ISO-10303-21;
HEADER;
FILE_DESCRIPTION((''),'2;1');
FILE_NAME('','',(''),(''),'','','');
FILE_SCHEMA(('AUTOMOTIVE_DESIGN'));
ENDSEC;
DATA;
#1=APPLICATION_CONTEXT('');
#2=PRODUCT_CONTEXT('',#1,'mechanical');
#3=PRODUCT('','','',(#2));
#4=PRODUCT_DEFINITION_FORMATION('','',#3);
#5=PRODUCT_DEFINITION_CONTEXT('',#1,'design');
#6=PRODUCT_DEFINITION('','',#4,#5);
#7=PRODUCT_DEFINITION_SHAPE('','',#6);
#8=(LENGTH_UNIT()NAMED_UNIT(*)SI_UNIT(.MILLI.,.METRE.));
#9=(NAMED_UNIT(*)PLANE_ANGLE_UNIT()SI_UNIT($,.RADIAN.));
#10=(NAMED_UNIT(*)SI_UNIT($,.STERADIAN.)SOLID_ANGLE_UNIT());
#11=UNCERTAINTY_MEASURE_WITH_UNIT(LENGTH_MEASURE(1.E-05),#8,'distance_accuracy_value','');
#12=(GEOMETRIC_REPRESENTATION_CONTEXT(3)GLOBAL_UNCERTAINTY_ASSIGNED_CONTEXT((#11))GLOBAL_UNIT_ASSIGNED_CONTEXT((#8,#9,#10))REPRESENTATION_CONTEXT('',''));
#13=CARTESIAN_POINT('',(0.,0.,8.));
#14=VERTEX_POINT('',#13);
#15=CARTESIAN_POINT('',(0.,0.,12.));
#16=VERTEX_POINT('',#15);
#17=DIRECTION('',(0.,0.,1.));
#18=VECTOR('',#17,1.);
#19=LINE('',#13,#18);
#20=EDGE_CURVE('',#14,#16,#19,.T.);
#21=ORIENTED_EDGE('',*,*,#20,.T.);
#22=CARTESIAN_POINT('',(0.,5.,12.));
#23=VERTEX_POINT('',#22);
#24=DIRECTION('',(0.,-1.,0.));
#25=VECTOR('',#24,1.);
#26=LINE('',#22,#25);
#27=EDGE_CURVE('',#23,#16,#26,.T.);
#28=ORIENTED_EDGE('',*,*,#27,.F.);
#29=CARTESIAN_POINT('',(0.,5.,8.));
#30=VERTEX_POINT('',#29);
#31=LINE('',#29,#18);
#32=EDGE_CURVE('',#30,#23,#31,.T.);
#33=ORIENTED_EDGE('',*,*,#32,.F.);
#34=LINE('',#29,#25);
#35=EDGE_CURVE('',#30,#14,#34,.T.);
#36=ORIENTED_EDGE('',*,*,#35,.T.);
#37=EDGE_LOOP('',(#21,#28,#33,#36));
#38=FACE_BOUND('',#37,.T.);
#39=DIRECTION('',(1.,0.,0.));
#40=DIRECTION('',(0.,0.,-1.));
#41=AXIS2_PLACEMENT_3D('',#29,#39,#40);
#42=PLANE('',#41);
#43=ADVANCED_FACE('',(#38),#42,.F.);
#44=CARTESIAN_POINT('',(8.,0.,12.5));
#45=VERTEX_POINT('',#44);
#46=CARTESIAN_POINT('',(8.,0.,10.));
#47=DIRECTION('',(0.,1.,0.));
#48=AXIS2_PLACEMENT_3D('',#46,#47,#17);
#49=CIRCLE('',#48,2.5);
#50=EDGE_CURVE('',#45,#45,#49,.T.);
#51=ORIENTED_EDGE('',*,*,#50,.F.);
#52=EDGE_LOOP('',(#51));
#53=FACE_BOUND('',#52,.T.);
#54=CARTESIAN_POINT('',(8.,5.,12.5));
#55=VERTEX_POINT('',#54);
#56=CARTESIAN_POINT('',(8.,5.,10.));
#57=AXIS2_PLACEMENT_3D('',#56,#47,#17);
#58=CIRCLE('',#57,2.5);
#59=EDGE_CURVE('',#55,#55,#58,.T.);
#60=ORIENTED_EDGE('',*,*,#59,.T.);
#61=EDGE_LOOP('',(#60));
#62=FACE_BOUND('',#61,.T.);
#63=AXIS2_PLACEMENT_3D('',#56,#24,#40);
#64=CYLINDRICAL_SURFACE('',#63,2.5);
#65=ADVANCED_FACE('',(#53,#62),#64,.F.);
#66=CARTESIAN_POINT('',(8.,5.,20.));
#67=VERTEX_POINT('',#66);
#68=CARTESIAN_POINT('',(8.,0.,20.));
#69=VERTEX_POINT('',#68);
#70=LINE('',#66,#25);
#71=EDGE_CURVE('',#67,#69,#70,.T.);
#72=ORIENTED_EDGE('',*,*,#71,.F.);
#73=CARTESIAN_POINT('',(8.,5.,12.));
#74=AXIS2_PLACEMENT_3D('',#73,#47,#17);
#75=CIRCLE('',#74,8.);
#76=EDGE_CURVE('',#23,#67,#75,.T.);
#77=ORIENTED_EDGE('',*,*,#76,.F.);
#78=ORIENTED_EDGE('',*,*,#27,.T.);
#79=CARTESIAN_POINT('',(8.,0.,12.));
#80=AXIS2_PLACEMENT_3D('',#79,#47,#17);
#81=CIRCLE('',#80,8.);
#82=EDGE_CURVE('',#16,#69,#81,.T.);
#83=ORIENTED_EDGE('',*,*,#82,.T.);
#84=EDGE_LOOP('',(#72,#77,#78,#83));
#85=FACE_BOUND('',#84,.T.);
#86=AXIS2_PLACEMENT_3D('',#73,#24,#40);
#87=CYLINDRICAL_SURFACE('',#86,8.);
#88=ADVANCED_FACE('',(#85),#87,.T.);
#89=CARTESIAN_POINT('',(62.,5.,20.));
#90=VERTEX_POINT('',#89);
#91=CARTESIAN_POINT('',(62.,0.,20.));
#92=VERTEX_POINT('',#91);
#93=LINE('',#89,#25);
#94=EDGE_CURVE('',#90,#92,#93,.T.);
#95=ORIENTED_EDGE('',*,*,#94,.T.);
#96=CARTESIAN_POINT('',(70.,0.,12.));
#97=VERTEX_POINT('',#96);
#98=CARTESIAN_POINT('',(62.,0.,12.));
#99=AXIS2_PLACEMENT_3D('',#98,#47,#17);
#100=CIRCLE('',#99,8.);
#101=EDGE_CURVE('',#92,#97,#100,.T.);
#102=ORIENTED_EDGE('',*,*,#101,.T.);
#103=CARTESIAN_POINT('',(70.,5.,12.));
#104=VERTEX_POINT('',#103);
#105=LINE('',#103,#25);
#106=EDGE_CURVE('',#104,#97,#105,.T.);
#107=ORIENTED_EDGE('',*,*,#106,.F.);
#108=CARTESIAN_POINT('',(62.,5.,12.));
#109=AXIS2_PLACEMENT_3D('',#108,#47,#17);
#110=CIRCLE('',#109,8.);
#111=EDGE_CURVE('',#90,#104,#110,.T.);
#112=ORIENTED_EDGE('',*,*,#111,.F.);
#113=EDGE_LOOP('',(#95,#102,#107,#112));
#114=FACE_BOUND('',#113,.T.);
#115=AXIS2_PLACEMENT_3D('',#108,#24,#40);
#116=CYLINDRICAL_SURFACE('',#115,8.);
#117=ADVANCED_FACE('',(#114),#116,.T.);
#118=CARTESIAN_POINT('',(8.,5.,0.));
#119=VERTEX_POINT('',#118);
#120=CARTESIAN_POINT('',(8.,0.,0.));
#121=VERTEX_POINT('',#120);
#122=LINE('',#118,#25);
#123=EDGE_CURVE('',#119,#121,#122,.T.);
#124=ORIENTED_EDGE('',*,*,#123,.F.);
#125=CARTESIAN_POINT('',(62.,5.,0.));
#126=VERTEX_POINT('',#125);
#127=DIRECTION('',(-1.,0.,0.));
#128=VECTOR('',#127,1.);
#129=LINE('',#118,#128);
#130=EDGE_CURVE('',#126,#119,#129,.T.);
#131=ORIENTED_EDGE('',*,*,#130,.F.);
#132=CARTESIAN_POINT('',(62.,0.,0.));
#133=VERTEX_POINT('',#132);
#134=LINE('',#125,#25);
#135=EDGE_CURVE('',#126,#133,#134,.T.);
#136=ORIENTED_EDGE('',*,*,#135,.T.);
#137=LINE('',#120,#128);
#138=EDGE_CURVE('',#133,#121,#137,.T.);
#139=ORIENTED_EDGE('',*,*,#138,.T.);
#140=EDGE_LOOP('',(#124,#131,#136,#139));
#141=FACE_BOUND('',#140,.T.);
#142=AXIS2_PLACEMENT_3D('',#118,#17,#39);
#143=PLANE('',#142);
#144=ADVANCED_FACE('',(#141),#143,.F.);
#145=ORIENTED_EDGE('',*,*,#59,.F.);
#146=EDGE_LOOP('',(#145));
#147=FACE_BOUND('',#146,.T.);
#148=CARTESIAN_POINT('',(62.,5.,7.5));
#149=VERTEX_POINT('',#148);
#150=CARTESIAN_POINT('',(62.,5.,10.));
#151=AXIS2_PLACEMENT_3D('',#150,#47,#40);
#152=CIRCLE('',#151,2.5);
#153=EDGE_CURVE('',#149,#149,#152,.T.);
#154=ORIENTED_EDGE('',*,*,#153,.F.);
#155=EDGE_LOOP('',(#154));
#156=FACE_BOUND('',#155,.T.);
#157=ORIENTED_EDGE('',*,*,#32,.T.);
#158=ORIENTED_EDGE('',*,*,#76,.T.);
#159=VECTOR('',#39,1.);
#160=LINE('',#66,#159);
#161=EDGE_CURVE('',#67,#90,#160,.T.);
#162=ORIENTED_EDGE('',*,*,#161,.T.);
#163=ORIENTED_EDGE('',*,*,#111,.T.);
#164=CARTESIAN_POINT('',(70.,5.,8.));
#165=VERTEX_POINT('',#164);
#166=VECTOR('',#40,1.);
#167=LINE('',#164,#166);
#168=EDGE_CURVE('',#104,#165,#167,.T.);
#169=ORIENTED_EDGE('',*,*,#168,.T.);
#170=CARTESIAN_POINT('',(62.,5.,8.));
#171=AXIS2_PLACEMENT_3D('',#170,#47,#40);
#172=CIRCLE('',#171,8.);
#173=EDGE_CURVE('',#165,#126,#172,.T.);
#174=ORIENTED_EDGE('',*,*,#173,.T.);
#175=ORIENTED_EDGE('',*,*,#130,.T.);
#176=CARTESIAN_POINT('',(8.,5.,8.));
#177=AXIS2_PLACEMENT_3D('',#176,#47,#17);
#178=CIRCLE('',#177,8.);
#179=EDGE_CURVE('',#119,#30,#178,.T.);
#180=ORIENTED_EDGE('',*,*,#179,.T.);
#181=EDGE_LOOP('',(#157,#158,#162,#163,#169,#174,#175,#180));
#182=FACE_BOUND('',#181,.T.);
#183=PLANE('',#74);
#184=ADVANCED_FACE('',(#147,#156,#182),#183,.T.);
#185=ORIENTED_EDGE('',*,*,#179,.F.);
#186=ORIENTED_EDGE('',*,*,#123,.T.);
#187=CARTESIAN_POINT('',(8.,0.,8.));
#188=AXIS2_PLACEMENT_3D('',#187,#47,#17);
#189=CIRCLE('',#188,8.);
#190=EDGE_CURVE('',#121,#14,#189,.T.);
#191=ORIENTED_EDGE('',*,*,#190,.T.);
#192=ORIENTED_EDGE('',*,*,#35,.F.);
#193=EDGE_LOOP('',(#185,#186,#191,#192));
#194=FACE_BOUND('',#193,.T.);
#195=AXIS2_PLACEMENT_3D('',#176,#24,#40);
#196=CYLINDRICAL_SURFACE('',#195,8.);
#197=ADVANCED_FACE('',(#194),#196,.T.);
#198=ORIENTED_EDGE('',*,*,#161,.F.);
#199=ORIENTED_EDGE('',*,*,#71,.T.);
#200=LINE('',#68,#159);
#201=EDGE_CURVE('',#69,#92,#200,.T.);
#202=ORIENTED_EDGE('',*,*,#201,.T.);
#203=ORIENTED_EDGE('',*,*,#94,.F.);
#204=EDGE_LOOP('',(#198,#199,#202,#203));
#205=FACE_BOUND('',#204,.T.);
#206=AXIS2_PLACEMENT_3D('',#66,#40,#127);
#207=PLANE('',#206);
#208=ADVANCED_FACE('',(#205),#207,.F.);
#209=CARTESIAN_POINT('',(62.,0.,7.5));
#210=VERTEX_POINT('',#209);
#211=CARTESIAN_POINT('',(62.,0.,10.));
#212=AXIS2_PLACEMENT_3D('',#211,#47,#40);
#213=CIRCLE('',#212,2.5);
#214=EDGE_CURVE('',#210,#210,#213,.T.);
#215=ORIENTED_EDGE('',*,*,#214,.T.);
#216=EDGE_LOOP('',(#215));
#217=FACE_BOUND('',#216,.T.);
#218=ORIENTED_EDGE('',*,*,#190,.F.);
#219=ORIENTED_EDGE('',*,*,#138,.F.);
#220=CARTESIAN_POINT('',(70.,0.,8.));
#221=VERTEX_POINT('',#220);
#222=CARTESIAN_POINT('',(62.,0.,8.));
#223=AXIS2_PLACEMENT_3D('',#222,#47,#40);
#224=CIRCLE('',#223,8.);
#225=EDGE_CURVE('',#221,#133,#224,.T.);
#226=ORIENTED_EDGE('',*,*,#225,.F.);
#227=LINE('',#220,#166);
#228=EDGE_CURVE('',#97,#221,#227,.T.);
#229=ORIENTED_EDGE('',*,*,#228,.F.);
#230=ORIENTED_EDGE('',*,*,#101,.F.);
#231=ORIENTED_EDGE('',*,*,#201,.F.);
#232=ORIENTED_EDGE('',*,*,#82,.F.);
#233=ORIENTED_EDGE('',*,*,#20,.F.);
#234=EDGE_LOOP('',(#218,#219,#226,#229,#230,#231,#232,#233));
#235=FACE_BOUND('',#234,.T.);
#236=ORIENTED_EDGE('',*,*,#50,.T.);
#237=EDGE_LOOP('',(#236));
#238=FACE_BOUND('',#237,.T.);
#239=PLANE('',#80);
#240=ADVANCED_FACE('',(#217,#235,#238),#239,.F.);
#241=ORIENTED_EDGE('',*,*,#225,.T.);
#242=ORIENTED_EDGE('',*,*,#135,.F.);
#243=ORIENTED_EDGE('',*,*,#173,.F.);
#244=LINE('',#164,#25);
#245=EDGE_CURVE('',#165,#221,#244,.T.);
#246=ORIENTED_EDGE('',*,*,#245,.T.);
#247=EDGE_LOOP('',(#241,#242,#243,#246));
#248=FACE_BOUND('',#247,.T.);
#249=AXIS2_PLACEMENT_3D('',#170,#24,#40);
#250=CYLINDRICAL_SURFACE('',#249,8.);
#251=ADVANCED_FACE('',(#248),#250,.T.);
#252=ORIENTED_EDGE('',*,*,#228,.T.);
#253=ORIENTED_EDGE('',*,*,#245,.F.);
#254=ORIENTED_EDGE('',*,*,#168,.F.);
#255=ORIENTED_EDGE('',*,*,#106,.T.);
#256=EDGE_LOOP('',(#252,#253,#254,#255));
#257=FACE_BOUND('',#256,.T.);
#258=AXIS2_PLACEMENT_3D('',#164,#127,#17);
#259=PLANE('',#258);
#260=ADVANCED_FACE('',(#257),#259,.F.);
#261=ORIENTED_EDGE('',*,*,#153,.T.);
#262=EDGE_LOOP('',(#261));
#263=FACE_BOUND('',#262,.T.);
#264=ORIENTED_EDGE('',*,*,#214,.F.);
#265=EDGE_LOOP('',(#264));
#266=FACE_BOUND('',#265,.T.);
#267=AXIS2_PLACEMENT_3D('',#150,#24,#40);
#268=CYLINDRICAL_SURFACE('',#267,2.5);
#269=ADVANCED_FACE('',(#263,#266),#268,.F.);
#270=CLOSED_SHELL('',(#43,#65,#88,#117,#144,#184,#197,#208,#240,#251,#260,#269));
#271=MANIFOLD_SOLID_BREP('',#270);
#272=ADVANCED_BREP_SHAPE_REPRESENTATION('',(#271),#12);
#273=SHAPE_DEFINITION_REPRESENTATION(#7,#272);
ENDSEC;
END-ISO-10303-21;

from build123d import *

# Parameters (mm, degrees)
SKETCH1_R           = 2.5
BOSS_EXTRUDE1_DEPTH = 5


with BuildPart() as part:
    # Sketch1 → Boss-Extrude1 (new body)
    with BuildSketch(Plane(origin=(0, 0, 0), x_dir=(1, 0, 0), z_dir=(0, 1, 0))):
        with BuildLine():
            Line((8, 0), (62, 0))
            ThreePointArc((62, 0), (67.656854249, -2.343145751), (70, -8))
            Line((70, -8), (70, -12))
            ThreePointArc((70, -12), (67.656854249, -17.656854249), (62, -20))
            Line((62, -20), (8, -20))
            ThreePointArc((8, -20), (2.343145751, -17.656854249), (0, -12))
            Line((0, -12), (0, -8))
            ThreePointArc((0, -8), (2.343145751, -2.343145751), (8, 0))
        make_face()
        with Locations(Location((8, -10, 0), (0, 0, 270))):
            Circle(SKETCH1_R, mode=Mode.SUBTRACT)
        with Locations(Location((62, -10, 0), (0, 0, 90))):
            Circle(SKETCH1_R, mode=Mode.SUBTRACT)
    extrude(amount=BOSS_EXTRUDE1_DEPTH)


solid = part.part
